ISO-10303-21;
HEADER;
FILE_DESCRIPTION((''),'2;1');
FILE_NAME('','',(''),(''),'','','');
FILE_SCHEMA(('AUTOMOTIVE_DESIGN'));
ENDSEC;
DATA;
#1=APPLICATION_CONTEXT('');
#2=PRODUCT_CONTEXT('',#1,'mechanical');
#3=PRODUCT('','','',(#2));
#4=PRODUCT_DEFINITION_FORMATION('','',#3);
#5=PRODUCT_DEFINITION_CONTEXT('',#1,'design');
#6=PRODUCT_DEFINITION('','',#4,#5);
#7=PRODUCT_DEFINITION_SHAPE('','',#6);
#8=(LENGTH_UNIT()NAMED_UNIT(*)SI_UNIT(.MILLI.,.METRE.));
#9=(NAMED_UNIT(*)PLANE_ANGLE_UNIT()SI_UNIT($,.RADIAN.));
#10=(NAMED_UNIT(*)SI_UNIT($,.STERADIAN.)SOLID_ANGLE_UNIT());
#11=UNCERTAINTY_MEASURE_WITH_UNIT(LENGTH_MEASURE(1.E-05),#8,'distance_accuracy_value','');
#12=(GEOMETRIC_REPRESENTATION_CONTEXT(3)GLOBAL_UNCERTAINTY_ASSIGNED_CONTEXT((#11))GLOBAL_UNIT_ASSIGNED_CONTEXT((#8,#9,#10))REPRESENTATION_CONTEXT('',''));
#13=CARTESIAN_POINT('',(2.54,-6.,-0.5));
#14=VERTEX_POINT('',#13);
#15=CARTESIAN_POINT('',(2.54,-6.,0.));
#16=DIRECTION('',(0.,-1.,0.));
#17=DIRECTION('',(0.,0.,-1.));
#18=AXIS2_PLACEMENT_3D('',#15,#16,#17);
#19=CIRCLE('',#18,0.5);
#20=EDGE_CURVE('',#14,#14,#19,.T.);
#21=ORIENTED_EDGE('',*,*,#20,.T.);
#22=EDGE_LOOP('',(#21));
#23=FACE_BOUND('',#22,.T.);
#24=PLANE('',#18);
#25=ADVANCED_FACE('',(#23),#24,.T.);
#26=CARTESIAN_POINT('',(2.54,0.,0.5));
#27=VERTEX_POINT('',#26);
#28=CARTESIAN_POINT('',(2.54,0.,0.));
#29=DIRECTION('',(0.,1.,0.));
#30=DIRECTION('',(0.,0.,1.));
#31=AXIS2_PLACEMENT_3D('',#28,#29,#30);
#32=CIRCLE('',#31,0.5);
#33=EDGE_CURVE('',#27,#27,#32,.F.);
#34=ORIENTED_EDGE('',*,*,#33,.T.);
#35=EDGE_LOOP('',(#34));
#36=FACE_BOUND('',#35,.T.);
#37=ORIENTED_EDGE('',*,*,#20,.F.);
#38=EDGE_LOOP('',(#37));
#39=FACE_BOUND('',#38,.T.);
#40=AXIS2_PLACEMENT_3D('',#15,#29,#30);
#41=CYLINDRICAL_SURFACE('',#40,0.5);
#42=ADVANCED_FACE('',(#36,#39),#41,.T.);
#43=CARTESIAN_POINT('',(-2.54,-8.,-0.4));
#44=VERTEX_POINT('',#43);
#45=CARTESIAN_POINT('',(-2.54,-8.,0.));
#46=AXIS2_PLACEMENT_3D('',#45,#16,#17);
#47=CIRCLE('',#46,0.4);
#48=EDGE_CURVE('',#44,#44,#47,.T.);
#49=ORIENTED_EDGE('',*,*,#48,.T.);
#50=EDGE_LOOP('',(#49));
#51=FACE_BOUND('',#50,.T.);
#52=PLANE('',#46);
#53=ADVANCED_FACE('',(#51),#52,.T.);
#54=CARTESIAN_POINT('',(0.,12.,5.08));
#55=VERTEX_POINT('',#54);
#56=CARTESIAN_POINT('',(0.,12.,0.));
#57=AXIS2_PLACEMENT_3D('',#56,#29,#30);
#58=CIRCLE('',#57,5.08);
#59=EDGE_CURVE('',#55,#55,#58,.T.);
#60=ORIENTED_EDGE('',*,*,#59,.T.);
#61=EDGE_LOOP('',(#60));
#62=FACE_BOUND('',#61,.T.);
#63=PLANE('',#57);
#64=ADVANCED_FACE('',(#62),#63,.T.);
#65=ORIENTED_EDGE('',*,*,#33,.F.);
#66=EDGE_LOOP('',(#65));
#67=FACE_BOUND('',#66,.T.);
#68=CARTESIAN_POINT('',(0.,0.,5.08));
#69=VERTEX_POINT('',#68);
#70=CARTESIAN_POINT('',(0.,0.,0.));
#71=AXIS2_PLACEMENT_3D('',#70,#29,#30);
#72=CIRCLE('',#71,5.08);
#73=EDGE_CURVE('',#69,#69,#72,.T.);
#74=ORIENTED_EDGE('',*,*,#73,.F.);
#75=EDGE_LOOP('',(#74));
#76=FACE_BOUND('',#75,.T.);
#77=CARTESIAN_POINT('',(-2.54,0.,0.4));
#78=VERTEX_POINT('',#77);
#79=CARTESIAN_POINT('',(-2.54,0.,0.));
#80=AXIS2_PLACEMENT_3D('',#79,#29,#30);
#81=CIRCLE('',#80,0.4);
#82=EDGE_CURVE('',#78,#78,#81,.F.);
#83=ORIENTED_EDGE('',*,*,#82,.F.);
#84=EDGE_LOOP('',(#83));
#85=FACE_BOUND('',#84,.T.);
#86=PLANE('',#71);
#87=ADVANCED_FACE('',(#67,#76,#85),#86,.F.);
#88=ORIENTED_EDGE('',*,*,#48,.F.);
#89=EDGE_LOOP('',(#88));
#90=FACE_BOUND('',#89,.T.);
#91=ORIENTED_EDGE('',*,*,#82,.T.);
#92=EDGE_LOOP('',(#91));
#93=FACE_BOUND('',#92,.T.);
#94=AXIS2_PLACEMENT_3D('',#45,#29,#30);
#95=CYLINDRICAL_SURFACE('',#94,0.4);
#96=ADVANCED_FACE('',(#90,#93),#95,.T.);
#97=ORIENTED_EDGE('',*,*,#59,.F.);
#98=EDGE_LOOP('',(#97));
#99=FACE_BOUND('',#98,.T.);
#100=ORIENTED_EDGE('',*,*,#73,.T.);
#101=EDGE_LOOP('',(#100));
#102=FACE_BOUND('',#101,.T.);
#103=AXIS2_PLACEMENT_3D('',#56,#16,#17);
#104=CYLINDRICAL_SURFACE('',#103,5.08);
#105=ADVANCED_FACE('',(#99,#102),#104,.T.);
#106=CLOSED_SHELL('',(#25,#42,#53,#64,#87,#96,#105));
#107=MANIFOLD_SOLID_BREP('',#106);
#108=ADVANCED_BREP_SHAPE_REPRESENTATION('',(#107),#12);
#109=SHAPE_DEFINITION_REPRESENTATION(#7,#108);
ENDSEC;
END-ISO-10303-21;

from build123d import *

# Parameters (mm, degrees)
SKETCH_1_R      = 5.08
EXTRUDE_1_DEPTH = 12
SKETCH_2_R      = 0.4
EXTRUDE_2_DEPTH = 8
SKETCH_3_R      = 0.5
EXTRUDE_3_DEPTH = 6


with BuildPart() as part:
    # 草图1 → 拉伸1 (new body)
    with BuildSketch(Plane(origin=(0, 0, 0), x_dir=(1, 0, 0), z_dir=(0, 1, 0))):
        with Locations(Location((0, 0, 0), (0, 0, 270))):
            Circle(SKETCH_1_R)
    extrude(amount=EXTRUDE_1_DEPTH)

    # 草图2 → 拉伸2 (add)
    with BuildSketch(Plane.XZ):
        with Locations(Location((-2.54, 0, 0), (0, 0, 90))):
            Circle(SKETCH_2_R)
    extrude(amount=EXTRUDE_2_DEPTH)

    # 草图3 → 拉伸3 (add)
    with BuildSketch(Plane.XZ):
        with Locations(Location((2.54, 0, 0), (0, 0, 90))):
            Circle(SKETCH_3_R)
    extrude(amount=EXTRUDE_3_DEPTH)


solid = part.part
